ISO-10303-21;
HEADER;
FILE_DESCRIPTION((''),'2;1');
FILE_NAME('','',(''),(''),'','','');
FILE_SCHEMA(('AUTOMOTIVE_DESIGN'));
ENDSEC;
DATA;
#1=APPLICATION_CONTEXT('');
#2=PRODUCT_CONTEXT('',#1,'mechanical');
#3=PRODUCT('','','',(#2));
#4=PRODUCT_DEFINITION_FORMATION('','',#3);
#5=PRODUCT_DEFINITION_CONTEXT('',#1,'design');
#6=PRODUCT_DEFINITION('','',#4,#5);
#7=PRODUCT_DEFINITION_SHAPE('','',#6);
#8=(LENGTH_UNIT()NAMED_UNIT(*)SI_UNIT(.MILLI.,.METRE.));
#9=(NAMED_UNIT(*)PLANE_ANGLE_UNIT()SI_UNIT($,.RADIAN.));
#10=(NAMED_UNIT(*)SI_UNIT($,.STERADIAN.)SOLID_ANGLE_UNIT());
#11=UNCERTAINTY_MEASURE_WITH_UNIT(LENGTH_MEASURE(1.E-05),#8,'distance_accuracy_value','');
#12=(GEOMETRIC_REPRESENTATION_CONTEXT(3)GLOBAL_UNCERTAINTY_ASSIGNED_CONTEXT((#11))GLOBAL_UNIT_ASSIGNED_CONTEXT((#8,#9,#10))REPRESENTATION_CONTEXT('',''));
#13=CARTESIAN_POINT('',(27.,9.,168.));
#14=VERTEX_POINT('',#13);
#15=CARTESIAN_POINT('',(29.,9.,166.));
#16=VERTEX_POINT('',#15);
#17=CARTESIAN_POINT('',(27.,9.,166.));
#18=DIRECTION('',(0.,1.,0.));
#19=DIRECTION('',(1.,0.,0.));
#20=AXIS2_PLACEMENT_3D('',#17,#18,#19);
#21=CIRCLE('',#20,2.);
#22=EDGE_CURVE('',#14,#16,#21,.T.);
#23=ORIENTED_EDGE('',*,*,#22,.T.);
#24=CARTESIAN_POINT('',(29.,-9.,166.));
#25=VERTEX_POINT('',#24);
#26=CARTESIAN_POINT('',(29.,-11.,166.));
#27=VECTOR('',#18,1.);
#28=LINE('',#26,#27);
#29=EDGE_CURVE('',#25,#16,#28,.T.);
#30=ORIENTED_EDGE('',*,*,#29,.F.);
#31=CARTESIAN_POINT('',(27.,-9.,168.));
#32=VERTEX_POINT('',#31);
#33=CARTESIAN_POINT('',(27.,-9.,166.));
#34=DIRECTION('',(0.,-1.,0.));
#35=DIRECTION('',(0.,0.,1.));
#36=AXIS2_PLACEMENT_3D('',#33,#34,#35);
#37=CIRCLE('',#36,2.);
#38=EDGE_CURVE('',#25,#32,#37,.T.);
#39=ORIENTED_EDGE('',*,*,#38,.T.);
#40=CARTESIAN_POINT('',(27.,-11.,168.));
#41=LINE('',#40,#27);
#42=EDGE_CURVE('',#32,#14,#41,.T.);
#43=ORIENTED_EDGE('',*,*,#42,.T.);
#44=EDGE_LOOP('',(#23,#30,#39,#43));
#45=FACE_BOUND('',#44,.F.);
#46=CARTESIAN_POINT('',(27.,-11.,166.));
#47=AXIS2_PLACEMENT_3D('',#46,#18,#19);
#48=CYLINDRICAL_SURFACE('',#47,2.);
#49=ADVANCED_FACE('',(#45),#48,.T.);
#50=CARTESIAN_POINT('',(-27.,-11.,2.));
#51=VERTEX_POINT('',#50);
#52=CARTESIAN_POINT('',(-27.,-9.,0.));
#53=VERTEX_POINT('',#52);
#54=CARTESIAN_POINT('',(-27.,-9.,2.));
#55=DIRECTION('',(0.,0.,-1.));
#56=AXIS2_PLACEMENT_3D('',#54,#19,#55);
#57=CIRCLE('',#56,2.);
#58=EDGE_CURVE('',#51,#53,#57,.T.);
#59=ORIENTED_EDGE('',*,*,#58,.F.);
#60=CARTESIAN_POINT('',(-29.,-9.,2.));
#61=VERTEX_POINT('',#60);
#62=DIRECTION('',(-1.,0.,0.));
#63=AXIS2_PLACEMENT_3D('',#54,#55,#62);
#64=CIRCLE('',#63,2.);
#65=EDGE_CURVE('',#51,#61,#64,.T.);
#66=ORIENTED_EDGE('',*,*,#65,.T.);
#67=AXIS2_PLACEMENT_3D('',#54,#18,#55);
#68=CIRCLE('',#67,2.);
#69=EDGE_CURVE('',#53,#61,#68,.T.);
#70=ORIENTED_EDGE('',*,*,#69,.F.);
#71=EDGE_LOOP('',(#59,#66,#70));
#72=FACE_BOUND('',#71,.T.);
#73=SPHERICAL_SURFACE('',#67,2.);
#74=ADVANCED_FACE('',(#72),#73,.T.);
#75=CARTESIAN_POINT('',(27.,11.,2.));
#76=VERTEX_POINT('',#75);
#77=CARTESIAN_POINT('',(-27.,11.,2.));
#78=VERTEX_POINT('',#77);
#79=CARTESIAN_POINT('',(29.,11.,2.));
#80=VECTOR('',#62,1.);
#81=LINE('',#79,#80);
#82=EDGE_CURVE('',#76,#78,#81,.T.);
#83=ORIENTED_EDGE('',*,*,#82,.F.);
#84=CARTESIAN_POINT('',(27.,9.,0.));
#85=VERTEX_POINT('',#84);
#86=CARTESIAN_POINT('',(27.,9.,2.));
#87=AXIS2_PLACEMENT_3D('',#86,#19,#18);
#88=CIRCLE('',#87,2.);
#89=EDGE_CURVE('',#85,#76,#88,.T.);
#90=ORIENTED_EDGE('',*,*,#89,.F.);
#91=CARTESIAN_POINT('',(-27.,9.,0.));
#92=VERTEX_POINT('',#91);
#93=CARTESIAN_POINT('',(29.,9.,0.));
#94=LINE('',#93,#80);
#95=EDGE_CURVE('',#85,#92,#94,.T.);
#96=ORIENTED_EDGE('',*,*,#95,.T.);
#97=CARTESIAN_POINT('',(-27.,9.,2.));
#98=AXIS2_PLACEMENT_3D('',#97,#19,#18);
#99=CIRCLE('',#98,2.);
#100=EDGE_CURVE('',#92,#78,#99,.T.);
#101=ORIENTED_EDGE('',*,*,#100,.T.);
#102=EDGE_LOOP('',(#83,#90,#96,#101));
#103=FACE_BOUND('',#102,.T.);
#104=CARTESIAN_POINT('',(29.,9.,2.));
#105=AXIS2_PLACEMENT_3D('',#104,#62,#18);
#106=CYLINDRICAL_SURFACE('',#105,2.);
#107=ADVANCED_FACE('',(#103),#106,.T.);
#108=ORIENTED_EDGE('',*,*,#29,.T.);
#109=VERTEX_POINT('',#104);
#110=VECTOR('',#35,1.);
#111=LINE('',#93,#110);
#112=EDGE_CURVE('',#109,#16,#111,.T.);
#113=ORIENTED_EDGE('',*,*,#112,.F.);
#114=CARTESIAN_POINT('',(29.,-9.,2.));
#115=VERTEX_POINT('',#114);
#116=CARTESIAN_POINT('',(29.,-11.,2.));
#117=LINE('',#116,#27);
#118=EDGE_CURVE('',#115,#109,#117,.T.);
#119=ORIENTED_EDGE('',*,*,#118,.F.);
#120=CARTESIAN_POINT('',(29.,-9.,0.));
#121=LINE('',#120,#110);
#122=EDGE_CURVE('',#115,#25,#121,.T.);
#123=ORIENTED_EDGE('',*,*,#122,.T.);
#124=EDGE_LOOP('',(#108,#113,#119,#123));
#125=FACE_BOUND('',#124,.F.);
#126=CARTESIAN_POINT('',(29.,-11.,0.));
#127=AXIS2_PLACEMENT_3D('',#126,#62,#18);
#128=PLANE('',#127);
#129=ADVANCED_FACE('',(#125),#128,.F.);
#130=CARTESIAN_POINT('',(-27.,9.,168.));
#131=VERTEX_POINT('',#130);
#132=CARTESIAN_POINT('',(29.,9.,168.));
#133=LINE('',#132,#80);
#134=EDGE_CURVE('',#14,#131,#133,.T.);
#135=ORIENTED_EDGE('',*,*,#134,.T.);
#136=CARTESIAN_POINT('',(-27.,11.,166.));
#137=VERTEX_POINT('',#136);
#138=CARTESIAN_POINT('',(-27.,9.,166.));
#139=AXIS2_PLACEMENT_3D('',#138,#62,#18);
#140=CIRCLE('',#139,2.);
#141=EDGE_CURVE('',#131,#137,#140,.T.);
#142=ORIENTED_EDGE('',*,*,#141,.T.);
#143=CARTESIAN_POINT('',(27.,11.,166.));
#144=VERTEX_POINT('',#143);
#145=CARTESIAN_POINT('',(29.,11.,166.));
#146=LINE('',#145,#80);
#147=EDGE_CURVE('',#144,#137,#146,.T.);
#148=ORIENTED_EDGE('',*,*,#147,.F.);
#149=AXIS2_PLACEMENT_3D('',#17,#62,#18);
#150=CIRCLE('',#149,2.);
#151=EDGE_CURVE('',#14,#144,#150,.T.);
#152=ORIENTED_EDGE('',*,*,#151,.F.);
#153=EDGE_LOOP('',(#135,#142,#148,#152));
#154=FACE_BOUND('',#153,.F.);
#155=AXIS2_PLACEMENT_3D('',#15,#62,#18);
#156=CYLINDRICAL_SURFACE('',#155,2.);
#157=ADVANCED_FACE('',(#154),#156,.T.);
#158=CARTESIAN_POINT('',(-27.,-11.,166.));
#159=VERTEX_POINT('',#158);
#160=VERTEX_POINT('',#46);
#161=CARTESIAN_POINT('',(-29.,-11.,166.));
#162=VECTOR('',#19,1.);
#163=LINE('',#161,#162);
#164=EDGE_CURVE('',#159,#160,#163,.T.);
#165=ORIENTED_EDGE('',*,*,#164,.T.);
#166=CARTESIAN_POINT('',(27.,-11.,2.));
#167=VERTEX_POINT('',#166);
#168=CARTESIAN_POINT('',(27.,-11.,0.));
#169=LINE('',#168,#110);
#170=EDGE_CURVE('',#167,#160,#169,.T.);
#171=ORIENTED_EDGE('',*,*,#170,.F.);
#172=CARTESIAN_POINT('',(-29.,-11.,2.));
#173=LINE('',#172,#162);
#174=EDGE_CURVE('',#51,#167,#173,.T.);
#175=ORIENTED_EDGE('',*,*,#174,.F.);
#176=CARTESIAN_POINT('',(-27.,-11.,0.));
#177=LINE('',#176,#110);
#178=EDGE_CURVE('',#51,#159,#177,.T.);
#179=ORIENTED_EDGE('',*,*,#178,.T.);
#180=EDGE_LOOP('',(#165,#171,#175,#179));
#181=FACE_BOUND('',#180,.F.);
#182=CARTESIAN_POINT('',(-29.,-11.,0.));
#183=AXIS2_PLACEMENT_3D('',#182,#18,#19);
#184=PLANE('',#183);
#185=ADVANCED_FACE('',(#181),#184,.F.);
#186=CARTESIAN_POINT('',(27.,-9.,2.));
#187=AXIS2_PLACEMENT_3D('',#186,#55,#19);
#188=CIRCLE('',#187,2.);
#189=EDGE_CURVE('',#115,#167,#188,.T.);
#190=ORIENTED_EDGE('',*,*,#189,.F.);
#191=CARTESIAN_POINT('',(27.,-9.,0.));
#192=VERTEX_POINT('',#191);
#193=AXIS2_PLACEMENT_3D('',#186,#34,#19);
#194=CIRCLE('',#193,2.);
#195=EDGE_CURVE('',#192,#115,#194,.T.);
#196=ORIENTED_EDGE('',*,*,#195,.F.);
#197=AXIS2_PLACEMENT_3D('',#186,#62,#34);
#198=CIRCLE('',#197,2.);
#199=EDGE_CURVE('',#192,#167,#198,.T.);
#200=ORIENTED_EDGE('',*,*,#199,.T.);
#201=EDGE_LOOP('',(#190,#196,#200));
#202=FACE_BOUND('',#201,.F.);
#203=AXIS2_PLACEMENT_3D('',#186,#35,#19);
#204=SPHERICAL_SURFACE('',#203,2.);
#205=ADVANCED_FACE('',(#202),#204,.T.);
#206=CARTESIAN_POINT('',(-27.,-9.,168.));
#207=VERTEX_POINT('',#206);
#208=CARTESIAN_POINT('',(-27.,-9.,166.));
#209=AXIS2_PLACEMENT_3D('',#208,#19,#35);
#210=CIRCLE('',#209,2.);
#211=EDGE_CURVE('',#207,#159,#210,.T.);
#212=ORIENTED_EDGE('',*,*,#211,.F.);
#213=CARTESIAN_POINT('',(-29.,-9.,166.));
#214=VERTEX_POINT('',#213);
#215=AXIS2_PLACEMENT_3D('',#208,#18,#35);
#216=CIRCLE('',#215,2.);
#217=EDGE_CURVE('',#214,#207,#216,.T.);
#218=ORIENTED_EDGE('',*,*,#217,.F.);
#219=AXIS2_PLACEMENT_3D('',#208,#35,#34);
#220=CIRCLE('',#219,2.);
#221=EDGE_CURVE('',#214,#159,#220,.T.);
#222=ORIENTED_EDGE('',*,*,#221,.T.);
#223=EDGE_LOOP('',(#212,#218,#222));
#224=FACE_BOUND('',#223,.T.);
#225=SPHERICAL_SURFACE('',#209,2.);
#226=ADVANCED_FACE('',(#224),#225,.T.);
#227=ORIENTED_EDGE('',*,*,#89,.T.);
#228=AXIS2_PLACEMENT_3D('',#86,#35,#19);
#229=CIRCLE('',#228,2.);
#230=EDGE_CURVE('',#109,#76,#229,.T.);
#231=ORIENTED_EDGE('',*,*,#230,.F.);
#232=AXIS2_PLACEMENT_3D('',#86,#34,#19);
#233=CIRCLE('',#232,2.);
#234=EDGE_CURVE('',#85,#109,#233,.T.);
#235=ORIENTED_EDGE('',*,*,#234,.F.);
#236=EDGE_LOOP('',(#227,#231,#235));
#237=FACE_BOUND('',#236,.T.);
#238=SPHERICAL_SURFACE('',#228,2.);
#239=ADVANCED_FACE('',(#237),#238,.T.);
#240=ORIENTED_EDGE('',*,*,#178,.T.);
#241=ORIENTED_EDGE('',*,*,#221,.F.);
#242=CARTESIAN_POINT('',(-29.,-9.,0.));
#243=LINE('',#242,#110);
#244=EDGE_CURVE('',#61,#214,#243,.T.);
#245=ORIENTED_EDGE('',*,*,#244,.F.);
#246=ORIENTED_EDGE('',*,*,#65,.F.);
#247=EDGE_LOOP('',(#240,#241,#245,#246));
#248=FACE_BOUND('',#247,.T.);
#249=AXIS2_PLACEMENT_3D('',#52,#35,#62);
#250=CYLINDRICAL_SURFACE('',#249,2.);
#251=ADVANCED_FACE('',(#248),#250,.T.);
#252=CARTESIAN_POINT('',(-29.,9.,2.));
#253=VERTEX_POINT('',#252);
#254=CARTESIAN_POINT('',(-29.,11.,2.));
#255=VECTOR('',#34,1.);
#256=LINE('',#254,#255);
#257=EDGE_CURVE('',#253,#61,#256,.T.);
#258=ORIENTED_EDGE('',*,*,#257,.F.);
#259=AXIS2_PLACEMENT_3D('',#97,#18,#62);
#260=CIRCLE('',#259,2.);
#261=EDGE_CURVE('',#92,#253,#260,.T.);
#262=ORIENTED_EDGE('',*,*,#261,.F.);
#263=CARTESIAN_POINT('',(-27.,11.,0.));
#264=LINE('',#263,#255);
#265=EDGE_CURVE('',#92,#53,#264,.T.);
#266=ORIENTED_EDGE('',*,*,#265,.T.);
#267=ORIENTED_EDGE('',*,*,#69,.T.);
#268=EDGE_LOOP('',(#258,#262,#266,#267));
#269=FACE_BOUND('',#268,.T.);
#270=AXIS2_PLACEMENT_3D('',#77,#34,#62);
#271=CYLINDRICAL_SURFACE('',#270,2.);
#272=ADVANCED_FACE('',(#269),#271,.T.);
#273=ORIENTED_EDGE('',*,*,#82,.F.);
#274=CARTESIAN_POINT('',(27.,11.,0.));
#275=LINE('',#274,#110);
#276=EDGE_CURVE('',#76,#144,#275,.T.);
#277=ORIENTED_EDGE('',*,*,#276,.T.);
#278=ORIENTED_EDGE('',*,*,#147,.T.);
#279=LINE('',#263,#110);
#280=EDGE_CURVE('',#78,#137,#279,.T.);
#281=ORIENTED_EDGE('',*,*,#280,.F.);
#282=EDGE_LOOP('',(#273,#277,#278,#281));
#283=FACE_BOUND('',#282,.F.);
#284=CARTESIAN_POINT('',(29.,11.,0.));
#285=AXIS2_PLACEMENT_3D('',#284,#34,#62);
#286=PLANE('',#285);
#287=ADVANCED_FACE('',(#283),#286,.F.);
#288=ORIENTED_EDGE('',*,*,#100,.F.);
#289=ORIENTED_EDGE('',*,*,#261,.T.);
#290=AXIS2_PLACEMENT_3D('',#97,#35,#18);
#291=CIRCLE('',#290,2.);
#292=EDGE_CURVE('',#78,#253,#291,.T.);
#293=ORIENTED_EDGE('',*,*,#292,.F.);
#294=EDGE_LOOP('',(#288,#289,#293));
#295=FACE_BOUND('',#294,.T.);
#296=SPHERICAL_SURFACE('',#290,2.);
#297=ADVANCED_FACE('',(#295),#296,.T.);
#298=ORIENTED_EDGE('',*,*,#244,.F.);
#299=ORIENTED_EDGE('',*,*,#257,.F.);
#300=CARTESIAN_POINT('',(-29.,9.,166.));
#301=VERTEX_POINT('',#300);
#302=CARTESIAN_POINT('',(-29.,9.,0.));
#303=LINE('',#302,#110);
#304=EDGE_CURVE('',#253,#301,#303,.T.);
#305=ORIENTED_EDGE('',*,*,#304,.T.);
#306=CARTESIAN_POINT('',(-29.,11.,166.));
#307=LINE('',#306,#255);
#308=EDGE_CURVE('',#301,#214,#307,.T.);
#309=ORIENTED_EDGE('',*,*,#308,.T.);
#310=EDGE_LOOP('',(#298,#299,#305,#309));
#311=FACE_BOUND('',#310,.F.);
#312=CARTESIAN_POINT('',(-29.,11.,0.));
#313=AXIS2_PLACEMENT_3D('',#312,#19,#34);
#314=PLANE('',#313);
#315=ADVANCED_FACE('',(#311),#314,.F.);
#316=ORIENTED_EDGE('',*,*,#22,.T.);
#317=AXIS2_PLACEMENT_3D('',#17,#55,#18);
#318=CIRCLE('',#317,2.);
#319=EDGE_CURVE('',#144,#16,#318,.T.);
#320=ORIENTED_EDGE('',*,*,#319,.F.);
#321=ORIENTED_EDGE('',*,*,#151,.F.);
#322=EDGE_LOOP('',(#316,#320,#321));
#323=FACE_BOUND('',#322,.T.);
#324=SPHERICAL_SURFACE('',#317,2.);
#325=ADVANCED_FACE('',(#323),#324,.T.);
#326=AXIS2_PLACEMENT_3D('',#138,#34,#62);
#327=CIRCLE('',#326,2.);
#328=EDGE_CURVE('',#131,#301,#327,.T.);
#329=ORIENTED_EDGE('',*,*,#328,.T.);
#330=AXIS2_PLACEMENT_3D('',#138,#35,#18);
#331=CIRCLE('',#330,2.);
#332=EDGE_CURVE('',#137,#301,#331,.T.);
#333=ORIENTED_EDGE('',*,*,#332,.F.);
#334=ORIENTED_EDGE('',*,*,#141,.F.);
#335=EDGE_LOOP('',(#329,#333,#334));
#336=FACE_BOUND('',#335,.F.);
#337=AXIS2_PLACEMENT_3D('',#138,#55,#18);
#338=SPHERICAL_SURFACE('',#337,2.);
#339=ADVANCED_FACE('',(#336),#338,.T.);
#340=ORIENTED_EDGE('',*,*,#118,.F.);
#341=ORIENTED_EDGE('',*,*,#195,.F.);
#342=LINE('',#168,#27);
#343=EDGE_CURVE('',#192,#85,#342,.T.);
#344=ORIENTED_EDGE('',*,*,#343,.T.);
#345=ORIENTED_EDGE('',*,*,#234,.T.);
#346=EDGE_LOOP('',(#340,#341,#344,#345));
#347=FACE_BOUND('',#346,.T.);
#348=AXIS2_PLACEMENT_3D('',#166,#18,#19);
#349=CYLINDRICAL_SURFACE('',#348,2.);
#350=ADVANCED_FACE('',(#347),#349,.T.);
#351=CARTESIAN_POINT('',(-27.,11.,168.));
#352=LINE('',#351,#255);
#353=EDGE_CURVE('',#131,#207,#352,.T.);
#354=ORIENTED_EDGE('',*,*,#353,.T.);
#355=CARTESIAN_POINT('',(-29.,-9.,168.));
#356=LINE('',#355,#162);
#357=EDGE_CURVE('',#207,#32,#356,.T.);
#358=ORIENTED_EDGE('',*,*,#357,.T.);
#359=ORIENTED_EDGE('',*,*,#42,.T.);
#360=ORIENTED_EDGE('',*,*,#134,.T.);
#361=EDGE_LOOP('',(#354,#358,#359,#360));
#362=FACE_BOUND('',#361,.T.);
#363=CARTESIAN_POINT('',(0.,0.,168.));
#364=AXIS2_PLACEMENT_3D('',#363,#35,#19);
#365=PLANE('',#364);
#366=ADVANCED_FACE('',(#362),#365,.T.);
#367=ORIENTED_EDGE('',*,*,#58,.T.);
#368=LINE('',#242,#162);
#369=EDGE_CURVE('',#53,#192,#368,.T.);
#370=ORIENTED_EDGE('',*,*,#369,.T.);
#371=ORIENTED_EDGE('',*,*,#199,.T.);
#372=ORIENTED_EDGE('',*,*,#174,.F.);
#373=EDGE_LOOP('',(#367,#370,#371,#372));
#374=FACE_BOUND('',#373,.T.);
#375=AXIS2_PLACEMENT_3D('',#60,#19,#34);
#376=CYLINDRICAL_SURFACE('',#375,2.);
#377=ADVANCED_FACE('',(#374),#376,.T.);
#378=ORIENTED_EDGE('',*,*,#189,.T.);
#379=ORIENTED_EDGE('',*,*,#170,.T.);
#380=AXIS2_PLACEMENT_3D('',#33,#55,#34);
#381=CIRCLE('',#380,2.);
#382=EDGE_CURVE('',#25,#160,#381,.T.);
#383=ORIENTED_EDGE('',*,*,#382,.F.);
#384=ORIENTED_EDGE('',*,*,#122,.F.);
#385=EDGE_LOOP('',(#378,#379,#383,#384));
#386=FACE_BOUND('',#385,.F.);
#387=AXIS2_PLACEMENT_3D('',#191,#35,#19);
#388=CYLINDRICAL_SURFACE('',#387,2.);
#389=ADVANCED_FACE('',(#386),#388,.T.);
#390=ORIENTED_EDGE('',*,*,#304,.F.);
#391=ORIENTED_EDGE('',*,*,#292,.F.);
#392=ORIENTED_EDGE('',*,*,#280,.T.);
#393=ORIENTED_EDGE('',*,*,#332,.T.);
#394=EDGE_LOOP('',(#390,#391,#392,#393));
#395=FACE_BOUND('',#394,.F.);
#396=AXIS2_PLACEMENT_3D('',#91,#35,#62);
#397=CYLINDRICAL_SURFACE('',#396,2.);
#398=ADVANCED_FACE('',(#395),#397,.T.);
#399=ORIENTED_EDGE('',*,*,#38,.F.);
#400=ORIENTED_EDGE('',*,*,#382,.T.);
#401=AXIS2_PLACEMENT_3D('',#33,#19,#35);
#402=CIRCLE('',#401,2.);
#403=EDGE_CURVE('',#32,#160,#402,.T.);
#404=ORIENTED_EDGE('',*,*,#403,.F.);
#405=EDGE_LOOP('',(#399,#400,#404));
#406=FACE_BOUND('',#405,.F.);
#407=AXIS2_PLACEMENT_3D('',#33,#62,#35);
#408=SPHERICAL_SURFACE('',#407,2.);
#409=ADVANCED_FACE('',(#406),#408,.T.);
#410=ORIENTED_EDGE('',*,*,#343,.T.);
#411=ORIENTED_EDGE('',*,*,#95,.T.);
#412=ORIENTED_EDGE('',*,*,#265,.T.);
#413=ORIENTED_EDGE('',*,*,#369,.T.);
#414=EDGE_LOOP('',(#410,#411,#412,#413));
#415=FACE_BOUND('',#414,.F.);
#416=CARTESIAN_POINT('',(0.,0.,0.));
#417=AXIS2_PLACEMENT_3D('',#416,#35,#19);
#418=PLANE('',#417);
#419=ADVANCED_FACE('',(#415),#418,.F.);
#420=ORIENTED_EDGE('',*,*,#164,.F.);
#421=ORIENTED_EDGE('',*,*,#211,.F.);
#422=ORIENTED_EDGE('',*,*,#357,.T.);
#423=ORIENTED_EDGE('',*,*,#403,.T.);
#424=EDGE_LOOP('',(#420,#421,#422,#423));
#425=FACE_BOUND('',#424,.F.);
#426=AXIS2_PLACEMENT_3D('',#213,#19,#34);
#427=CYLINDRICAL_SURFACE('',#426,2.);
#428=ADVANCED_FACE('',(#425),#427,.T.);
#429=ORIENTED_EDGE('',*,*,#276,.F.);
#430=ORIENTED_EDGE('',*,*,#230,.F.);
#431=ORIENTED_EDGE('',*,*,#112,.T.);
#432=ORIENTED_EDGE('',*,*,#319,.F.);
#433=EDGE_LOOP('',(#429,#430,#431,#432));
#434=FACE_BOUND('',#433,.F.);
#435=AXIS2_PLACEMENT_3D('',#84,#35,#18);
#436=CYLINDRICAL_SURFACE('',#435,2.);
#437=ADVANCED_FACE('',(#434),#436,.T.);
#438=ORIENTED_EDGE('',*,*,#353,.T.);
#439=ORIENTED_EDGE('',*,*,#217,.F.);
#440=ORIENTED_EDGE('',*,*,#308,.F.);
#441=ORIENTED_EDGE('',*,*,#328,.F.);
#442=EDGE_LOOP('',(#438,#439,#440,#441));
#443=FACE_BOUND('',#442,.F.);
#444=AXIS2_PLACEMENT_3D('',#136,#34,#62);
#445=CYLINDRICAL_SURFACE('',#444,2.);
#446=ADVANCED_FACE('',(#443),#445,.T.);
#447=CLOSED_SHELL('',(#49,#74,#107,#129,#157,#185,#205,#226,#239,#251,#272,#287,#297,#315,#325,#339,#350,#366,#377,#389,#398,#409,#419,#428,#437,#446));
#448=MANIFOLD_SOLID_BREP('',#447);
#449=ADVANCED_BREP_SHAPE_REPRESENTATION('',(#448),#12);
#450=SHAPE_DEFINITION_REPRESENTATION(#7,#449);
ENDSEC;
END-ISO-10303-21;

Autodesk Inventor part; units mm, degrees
ref_plane "YZ Plane" through (0, 0, 0) normal (1, 0, 0) x (0, 1, 0)
ref_plane "XZ Plane" through (0, 0, 0) normal (0, 1, 0) x (-1, 0, 0)
ref_plane "XY Plane" through (0, 0, 0) normal (0, 0, 1) x (1, 0, 0)
sketch "スケッチ1" plane through (0, 0, 0) normal (0, 0, 1) x (1, 0, 0)
  line L0 (-29, -11) -> (29, -11)
  line L1 (29, -11) -> (29, 11)
  line L2 (29, 11) -> (-29, 11)
  line L3 (-29, 11) -> (-29, -11)
  line L4 (-29, -11) -> (29, 11) construction
  line L5 (29, -11) -> (-29, 11) construction
  point P0 (0, 0)
  dimension "d0" = 22
  dimension "d1" = 58
extrude "押し出し1" add sketch "スケッチ1" along normal blind 168
fillet "フィレット1" radius 2 12 edges at (29, 11, 84) (-29, 11, 84) (0, 11, 168) (0, -11, 168) (29, 0, 168) (-29, 0, 168) (29, -11, 84) (29, 0, 0) (0, 11, 0) (-29, 0, 0) (0, -11, 0) (-29, -11, 84)
properties part number "202200606_知能ロボットanker"
